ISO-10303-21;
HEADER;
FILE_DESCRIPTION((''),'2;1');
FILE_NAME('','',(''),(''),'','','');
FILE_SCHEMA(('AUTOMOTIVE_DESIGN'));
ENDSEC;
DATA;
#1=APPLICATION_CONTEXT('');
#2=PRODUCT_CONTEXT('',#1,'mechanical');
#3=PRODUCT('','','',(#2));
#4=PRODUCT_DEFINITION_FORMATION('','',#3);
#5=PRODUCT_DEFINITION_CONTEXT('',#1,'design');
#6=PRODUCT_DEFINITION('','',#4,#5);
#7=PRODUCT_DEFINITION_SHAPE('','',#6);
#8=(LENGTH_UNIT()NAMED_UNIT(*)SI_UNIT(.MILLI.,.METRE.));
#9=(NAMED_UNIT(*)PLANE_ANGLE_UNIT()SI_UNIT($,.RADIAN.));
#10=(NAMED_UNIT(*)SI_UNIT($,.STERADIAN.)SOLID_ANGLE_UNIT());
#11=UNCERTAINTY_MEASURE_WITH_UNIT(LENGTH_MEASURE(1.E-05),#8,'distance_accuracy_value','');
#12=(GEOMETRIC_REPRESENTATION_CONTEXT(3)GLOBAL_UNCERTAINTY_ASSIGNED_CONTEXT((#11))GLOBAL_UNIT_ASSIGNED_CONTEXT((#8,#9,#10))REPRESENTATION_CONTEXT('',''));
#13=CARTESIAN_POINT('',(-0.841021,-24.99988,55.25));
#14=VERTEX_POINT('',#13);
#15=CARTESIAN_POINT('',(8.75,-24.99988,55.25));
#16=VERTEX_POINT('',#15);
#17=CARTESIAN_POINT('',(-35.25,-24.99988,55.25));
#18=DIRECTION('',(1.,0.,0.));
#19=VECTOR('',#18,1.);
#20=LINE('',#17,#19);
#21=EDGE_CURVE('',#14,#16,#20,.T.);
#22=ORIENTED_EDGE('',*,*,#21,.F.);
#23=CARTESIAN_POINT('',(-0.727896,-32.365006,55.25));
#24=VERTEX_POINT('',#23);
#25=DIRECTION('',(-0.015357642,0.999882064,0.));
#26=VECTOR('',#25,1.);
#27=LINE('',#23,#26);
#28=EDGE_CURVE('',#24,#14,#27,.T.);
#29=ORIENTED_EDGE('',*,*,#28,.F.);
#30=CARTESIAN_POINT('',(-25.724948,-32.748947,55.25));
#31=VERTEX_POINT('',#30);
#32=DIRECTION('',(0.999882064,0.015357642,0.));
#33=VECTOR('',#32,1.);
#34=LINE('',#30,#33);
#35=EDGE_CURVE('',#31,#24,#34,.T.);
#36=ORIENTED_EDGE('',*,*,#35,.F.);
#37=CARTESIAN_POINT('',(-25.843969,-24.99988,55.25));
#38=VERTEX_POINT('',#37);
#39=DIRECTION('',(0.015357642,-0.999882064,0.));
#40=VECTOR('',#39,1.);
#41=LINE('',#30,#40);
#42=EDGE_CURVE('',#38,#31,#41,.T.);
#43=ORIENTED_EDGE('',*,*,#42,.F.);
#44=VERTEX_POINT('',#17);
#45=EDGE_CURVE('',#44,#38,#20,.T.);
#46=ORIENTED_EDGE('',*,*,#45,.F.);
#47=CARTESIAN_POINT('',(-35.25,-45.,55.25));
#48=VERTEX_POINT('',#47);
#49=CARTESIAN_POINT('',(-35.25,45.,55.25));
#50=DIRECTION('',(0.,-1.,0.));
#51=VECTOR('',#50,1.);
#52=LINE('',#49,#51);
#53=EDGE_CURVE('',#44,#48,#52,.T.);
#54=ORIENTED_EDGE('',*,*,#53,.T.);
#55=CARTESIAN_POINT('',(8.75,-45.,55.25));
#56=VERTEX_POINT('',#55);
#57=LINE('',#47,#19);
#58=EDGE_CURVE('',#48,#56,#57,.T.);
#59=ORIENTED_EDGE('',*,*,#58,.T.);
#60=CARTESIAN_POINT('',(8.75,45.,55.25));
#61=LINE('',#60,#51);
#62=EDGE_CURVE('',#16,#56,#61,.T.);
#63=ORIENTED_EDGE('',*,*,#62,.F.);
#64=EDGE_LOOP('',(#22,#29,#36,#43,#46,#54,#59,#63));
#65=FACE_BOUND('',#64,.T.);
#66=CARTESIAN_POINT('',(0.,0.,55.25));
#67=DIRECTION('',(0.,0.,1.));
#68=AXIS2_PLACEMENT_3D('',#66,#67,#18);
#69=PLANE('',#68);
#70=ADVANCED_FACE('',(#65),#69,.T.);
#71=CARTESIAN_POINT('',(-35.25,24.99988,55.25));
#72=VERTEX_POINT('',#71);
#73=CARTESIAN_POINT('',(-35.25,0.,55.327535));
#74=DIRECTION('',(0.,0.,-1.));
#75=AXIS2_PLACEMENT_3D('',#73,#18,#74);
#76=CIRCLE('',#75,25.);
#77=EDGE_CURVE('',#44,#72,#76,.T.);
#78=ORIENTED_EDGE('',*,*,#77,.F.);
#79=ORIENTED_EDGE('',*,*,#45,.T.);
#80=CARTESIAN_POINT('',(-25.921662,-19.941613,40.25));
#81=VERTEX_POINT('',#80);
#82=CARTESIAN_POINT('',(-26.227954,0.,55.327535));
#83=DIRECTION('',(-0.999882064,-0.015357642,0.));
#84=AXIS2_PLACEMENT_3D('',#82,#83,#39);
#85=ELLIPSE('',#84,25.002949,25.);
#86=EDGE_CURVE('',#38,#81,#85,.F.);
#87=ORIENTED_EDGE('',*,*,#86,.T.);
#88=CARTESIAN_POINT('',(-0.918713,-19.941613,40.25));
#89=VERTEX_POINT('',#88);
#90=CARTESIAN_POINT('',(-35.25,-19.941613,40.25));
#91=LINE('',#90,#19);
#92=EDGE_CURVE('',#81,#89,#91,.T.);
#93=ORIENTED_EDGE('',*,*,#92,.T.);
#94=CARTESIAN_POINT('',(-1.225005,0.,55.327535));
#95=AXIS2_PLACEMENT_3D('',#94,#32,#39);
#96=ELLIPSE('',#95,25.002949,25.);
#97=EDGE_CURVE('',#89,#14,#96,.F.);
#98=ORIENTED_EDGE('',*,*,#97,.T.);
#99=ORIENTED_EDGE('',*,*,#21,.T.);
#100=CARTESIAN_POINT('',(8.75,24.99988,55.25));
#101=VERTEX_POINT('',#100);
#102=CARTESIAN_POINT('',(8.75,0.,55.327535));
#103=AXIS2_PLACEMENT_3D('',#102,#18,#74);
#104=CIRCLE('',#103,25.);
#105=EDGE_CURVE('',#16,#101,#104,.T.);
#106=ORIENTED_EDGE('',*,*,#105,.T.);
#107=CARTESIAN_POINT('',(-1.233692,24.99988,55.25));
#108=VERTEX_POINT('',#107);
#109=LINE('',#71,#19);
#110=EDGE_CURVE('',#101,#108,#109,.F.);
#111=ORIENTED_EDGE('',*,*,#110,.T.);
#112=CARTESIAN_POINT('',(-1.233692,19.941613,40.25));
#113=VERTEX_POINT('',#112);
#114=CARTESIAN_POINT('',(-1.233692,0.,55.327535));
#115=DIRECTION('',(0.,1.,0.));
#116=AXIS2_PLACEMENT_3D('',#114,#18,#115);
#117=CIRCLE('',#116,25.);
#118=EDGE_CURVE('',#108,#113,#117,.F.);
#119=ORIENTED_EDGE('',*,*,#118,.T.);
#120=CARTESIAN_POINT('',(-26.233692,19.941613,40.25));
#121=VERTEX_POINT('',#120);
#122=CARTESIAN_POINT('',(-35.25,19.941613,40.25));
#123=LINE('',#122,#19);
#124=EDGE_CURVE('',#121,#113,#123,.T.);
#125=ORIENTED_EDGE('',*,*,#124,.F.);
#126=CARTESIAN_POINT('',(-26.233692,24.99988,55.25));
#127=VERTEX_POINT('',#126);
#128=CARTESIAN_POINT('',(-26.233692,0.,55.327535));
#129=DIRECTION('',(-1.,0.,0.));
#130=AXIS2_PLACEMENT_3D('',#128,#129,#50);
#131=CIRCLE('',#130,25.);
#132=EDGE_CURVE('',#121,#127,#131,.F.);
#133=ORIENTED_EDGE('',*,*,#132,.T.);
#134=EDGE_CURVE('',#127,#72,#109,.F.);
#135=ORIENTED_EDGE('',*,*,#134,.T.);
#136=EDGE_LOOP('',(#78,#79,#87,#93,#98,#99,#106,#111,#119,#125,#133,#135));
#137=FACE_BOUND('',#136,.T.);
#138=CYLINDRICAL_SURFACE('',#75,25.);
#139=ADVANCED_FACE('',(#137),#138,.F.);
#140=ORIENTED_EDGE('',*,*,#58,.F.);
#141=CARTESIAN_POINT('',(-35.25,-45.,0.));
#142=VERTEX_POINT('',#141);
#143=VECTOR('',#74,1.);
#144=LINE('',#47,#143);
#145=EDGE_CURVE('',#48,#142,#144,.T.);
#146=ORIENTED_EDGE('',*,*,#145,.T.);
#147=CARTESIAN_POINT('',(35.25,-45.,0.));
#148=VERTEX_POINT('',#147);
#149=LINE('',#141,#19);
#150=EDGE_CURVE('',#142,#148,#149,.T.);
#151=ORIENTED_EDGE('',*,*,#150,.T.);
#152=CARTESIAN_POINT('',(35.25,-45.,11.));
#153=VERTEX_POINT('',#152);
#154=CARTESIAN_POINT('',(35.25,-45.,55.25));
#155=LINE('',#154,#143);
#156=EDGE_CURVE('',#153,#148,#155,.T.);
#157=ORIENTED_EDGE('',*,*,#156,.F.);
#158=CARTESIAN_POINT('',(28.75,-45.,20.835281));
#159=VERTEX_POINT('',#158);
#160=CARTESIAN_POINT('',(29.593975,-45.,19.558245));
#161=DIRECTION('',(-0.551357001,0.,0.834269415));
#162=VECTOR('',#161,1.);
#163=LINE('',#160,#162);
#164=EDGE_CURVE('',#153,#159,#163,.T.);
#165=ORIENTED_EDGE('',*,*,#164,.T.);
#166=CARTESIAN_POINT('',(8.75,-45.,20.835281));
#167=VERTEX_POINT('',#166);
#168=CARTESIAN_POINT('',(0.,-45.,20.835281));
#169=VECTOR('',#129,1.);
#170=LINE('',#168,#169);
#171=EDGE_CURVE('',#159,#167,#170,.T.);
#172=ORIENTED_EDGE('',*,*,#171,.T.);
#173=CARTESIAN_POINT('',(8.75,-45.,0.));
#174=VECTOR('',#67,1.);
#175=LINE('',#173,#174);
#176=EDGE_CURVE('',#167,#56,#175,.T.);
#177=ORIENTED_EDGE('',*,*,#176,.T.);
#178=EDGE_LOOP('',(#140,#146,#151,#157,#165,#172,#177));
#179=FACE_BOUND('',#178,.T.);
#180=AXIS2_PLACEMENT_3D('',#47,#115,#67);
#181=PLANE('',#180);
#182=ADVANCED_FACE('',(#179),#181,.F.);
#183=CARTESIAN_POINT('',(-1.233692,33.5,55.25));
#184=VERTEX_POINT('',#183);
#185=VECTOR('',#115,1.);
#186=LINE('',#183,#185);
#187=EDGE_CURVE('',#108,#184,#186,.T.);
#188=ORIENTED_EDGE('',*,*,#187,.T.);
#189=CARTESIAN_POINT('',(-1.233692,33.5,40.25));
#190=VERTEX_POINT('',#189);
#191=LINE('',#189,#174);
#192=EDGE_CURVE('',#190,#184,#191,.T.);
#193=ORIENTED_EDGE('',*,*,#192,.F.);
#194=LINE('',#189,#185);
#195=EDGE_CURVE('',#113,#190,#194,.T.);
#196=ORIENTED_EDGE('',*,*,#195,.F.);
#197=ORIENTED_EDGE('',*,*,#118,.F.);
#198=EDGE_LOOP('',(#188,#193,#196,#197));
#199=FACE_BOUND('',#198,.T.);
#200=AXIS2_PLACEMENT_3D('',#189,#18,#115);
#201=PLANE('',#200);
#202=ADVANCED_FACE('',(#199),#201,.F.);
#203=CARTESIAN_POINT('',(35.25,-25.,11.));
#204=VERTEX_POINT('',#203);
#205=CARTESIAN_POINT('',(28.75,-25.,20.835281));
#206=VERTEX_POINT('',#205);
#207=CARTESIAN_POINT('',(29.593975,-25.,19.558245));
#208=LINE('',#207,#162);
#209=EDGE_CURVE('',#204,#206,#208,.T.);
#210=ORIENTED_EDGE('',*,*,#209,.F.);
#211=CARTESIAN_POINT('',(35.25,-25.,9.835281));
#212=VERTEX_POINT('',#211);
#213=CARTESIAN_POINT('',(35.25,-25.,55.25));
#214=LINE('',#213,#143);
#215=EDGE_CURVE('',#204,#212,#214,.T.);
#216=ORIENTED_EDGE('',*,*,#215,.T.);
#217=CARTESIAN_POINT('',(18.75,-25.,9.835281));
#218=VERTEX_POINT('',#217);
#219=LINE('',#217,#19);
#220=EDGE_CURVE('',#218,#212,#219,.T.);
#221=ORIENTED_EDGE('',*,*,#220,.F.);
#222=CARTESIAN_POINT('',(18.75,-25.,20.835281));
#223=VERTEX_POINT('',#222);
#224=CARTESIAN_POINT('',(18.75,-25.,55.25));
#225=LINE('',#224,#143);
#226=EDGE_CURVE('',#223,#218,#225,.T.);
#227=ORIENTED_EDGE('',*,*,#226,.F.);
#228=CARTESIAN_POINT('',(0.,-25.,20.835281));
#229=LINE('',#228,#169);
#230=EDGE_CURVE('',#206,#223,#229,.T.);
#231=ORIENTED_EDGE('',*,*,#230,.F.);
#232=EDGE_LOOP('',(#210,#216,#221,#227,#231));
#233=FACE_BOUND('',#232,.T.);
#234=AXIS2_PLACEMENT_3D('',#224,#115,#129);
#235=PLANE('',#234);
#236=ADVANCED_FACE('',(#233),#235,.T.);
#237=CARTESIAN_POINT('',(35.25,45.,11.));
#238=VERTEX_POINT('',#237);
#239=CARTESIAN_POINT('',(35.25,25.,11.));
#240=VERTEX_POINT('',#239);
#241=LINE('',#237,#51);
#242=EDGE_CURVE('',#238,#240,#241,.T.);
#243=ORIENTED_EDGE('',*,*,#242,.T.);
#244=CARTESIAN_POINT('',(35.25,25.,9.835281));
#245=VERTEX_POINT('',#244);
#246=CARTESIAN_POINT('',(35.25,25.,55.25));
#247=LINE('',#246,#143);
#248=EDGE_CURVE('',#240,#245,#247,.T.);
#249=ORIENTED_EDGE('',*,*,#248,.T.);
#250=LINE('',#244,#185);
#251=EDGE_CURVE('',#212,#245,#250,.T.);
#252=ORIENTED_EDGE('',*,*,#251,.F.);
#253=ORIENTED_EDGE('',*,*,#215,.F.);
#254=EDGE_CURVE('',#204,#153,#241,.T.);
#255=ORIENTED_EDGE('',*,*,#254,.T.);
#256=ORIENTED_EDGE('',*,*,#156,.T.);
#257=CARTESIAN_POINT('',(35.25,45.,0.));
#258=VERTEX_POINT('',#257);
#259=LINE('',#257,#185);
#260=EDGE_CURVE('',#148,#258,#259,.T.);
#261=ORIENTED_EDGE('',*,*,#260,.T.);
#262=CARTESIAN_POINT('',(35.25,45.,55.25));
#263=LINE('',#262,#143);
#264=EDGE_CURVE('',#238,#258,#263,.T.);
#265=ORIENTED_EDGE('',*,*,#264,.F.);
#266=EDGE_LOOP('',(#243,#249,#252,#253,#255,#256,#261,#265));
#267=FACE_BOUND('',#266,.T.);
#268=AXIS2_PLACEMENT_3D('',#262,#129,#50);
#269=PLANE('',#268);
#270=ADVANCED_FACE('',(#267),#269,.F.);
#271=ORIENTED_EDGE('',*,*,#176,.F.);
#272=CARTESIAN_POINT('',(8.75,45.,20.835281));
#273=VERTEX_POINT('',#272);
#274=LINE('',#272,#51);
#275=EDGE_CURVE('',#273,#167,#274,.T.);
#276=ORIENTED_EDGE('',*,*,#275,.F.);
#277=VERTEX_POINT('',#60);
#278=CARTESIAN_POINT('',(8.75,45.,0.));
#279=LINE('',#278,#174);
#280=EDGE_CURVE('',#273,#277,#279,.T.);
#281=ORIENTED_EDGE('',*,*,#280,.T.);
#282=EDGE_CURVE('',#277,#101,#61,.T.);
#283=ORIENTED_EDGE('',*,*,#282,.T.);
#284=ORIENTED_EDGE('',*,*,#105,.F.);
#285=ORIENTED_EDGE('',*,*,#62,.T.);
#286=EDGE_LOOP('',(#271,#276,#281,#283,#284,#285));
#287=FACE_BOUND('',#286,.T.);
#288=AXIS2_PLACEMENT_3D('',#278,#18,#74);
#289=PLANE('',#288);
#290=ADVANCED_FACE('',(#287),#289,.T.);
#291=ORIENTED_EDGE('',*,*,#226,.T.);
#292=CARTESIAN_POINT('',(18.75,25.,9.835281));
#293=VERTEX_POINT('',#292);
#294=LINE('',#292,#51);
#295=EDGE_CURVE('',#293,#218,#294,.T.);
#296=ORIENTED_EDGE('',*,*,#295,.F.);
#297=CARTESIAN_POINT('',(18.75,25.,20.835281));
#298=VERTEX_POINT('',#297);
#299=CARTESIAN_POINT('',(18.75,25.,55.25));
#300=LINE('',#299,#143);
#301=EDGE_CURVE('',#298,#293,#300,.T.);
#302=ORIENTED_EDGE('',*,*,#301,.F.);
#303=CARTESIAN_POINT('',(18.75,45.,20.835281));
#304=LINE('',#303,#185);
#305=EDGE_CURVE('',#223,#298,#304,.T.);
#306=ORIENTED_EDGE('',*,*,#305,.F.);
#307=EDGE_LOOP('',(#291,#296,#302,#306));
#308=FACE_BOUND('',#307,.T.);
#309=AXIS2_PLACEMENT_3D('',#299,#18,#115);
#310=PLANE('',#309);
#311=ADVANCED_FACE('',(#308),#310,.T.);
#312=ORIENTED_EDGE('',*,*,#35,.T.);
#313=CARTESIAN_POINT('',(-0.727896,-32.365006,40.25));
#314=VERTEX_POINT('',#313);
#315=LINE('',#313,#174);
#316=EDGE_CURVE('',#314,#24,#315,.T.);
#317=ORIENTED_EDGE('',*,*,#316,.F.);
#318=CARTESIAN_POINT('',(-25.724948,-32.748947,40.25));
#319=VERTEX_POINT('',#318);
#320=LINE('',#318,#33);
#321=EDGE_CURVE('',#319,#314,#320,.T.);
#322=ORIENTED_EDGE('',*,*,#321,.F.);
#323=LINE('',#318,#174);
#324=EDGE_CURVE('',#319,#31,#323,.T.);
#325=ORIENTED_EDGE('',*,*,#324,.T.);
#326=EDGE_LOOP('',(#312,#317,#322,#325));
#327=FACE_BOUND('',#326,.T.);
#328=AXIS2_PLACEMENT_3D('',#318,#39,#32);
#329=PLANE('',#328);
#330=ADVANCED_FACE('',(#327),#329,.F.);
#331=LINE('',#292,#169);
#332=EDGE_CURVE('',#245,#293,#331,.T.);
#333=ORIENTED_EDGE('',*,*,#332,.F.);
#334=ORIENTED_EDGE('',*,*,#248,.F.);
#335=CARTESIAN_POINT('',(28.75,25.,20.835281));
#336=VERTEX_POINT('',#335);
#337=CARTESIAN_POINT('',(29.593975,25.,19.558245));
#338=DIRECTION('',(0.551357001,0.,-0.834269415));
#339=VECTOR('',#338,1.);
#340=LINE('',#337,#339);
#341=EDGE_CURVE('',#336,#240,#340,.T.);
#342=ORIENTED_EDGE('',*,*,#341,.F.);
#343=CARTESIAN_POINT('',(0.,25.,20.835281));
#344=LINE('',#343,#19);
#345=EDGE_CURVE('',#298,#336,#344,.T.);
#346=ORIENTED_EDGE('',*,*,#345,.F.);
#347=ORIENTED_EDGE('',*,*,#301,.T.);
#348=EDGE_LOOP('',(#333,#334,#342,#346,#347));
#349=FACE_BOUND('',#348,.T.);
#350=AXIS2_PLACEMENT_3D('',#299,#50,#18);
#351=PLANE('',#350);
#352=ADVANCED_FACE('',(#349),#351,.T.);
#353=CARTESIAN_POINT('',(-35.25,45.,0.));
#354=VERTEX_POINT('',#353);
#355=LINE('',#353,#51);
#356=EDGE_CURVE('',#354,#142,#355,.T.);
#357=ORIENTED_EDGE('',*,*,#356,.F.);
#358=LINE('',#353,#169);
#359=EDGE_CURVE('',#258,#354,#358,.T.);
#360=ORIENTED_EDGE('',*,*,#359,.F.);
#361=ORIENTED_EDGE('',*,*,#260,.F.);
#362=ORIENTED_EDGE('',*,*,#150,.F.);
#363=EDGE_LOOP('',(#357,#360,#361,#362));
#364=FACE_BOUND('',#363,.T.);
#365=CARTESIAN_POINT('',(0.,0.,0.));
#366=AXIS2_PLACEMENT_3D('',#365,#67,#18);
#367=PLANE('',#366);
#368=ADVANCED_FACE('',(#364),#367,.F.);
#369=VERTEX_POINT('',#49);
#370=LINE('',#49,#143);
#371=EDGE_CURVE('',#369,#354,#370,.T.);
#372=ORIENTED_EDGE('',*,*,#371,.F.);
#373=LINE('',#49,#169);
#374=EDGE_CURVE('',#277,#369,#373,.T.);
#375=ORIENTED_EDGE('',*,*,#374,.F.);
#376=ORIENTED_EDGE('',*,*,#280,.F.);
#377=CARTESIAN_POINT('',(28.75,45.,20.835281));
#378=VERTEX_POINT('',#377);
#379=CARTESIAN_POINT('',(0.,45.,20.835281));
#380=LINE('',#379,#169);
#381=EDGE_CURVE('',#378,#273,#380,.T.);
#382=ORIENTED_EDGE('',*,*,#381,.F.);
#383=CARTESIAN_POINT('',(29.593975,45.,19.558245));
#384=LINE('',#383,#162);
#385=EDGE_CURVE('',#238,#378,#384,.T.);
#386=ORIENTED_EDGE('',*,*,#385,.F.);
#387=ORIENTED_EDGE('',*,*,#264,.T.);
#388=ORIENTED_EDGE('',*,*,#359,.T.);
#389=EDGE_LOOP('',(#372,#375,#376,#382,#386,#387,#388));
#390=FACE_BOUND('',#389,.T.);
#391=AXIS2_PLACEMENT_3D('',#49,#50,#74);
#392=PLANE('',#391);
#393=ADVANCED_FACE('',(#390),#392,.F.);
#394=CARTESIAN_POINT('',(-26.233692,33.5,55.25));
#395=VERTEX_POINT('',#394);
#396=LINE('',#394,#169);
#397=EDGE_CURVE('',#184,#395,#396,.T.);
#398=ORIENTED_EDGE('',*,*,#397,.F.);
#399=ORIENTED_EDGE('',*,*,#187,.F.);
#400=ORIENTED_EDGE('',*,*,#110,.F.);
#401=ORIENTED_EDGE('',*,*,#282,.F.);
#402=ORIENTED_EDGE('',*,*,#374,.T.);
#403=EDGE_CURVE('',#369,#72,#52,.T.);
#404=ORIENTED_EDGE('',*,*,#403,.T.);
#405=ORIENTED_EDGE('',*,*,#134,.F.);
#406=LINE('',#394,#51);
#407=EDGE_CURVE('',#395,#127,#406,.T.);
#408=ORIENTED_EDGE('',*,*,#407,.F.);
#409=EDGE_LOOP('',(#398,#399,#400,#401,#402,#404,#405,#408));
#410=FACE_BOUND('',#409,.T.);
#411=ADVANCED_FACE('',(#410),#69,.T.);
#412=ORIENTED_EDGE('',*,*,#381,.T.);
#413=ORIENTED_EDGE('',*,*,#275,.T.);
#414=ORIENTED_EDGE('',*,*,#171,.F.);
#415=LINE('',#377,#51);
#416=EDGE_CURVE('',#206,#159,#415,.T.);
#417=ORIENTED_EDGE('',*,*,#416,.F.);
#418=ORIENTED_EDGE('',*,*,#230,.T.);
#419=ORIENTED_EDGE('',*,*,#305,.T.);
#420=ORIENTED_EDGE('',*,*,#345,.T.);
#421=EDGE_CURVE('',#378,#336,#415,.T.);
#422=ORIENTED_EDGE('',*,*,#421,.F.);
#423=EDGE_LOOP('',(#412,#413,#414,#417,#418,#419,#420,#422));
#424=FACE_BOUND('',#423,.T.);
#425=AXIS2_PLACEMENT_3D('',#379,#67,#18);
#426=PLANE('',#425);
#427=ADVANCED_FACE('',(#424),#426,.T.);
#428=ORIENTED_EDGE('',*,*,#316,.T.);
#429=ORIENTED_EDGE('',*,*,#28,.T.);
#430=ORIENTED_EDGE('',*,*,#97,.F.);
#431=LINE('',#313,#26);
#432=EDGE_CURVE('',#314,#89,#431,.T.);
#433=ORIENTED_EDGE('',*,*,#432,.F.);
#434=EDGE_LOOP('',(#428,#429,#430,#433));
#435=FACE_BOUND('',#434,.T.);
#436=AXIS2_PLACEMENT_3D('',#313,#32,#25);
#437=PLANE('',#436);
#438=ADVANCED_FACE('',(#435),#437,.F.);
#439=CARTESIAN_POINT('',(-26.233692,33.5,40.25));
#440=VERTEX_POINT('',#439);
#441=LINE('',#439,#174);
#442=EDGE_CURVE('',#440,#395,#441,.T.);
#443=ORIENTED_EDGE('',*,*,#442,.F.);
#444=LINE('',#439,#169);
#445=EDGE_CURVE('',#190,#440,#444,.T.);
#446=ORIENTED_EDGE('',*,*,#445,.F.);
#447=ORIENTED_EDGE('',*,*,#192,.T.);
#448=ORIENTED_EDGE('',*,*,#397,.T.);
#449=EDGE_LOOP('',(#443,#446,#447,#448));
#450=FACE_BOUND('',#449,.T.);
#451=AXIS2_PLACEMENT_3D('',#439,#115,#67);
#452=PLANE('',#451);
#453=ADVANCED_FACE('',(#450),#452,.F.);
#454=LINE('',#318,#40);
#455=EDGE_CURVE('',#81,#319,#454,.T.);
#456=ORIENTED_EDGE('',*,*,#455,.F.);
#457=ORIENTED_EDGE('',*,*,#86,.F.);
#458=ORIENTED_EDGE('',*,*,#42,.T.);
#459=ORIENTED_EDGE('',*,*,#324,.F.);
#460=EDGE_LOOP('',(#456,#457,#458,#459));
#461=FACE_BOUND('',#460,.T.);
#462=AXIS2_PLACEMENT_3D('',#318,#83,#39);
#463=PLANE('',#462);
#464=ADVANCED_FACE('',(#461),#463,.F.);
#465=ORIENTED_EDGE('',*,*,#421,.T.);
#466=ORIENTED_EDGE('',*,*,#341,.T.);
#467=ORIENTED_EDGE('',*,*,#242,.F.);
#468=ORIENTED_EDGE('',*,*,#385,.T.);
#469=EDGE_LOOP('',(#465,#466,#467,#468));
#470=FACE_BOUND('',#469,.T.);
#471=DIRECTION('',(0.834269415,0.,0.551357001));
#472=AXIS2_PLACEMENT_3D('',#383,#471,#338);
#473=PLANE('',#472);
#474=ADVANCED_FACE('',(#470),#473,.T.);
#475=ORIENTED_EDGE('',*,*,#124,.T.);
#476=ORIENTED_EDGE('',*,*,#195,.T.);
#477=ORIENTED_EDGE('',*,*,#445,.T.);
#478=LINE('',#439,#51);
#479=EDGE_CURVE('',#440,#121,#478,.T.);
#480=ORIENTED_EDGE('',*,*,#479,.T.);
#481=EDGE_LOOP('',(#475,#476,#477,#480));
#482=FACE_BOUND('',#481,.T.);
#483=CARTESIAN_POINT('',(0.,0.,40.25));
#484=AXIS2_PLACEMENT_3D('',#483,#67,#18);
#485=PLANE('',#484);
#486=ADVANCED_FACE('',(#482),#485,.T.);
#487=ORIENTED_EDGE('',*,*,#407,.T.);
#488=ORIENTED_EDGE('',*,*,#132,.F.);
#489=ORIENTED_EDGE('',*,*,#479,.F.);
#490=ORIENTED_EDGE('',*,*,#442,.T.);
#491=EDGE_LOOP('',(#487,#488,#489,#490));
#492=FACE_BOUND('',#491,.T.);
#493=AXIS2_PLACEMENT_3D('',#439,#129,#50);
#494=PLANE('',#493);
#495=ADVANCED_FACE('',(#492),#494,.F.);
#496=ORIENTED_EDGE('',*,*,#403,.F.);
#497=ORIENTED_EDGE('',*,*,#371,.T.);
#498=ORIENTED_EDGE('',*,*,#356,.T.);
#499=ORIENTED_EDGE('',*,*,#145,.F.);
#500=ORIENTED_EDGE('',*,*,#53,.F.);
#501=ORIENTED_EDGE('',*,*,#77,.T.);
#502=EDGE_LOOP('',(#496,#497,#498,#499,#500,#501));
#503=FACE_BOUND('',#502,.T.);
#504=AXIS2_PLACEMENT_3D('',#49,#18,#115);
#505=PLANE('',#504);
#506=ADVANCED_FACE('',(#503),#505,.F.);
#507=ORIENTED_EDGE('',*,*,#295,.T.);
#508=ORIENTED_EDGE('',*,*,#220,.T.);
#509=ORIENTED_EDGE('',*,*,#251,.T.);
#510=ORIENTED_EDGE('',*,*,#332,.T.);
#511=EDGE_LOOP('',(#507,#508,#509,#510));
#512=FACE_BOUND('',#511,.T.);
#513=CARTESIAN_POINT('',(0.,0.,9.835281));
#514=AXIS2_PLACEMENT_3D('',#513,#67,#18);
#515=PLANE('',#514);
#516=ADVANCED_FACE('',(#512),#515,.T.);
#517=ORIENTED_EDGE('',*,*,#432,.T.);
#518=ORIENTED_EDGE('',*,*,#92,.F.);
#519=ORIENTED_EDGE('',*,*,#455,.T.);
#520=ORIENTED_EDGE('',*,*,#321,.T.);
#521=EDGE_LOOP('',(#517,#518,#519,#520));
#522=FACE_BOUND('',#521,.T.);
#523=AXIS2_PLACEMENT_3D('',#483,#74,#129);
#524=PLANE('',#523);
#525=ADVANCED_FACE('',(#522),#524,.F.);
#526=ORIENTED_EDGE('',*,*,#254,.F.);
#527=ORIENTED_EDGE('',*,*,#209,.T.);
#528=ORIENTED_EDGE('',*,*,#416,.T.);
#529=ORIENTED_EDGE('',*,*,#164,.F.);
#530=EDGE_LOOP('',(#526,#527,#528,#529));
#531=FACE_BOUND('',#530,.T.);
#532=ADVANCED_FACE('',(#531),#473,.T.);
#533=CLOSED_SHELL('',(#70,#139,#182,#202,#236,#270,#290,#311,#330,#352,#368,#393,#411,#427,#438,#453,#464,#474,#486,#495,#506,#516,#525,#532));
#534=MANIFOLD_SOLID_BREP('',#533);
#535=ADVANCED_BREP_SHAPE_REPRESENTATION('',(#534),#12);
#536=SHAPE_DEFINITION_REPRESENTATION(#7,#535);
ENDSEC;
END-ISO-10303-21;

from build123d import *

# Parameters (mm, degrees)
SKETCH2_W               = 70.5
SKETCH2_H               = 90
BOSS_EXTRUDE1_DEPTH     = 55.25
CUT_EXTRUDE1_DEPTH      = 91
SKETCH4_R               = 25
CUT_EXTRUDE2_DEPTH      = 45
SKETCH6_W               = 16.5
SKETCH6_H               = 50
CUT_EXTRUDE3_DEPTH      = 35.414718703
CUT_EXTRUDE3_DEPTH_BACK = 11
SKETCH7_W               = 25
SKETCH7_H               = 15
CUT_EXTRUDE4_DEPTH      = 15


with BuildPart() as part:
    # Sketch2 → Boss-Extrude1 (new body)
    with BuildSketch(Plane.XY):
        Rectangle(SKETCH2_W, SKETCH2_H)
    extrude(amount=BOSS_EXTRUDE1_DEPTH)

    # Sketch3 → Cut-Extrude1 (cut, through all)
    with BuildSketch(Plane.XZ.offset(45)):
        Polygon((28.75, 20.835281297), (35.25, 11), (35.25, 55.25), (8.75, 55.25), (8.75, 20.835281297), align=None)
    extrude(amount=-CUT_EXTRUDE1_DEPTH, mode=Mode.SUBTRACT)

    # Sketch4 → Cut-Extrude2 (cut, through all)
    with BuildSketch(Plane(origin=(8.75, 0, 0), x_dir=(0, 0, -1), z_dir=(1, 0, 0))):
        with Locations((-55.327535333, 0)):
            Circle(SKETCH4_R)
    extrude(amount=-CUT_EXTRUDE2_DEPTH, mode=Mode.SUBTRACT)

    # Sketch6 → Cut-Extrude3 (cut, two sides)
    with BuildSketch(Plane.XY.offset(20.835281297)) as cut_extrude3_sk:
        with Locations((27, 0)):
            Rectangle(SKETCH6_W, SKETCH6_H)
    extrude(amount=CUT_EXTRUDE3_DEPTH, mode=Mode.SUBTRACT)
    extrude(cut_extrude3_sk.sketch, amount=-CUT_EXTRUDE3_DEPTH_BACK, mode=Mode.SUBTRACT)

    # Sketch7 → Cut-Extrude4 (cut)
    with BuildSketch(Plane.XY.offset(55.25)):
        with Locations((-13.733691731, 26)):
            Rectangle(SKETCH7_W, SKETCH7_H)
        Polygon((-25.955312552, -17.750715844), (-0.958260941, -17.366774787), (-0.727896306, -32.365005754), (-25.724947918, -32.748946811), align=None)
    extrude(amount=-CUT_EXTRUDE4_DEPTH, mode=Mode.SUBTRACT)


solid = part.part
